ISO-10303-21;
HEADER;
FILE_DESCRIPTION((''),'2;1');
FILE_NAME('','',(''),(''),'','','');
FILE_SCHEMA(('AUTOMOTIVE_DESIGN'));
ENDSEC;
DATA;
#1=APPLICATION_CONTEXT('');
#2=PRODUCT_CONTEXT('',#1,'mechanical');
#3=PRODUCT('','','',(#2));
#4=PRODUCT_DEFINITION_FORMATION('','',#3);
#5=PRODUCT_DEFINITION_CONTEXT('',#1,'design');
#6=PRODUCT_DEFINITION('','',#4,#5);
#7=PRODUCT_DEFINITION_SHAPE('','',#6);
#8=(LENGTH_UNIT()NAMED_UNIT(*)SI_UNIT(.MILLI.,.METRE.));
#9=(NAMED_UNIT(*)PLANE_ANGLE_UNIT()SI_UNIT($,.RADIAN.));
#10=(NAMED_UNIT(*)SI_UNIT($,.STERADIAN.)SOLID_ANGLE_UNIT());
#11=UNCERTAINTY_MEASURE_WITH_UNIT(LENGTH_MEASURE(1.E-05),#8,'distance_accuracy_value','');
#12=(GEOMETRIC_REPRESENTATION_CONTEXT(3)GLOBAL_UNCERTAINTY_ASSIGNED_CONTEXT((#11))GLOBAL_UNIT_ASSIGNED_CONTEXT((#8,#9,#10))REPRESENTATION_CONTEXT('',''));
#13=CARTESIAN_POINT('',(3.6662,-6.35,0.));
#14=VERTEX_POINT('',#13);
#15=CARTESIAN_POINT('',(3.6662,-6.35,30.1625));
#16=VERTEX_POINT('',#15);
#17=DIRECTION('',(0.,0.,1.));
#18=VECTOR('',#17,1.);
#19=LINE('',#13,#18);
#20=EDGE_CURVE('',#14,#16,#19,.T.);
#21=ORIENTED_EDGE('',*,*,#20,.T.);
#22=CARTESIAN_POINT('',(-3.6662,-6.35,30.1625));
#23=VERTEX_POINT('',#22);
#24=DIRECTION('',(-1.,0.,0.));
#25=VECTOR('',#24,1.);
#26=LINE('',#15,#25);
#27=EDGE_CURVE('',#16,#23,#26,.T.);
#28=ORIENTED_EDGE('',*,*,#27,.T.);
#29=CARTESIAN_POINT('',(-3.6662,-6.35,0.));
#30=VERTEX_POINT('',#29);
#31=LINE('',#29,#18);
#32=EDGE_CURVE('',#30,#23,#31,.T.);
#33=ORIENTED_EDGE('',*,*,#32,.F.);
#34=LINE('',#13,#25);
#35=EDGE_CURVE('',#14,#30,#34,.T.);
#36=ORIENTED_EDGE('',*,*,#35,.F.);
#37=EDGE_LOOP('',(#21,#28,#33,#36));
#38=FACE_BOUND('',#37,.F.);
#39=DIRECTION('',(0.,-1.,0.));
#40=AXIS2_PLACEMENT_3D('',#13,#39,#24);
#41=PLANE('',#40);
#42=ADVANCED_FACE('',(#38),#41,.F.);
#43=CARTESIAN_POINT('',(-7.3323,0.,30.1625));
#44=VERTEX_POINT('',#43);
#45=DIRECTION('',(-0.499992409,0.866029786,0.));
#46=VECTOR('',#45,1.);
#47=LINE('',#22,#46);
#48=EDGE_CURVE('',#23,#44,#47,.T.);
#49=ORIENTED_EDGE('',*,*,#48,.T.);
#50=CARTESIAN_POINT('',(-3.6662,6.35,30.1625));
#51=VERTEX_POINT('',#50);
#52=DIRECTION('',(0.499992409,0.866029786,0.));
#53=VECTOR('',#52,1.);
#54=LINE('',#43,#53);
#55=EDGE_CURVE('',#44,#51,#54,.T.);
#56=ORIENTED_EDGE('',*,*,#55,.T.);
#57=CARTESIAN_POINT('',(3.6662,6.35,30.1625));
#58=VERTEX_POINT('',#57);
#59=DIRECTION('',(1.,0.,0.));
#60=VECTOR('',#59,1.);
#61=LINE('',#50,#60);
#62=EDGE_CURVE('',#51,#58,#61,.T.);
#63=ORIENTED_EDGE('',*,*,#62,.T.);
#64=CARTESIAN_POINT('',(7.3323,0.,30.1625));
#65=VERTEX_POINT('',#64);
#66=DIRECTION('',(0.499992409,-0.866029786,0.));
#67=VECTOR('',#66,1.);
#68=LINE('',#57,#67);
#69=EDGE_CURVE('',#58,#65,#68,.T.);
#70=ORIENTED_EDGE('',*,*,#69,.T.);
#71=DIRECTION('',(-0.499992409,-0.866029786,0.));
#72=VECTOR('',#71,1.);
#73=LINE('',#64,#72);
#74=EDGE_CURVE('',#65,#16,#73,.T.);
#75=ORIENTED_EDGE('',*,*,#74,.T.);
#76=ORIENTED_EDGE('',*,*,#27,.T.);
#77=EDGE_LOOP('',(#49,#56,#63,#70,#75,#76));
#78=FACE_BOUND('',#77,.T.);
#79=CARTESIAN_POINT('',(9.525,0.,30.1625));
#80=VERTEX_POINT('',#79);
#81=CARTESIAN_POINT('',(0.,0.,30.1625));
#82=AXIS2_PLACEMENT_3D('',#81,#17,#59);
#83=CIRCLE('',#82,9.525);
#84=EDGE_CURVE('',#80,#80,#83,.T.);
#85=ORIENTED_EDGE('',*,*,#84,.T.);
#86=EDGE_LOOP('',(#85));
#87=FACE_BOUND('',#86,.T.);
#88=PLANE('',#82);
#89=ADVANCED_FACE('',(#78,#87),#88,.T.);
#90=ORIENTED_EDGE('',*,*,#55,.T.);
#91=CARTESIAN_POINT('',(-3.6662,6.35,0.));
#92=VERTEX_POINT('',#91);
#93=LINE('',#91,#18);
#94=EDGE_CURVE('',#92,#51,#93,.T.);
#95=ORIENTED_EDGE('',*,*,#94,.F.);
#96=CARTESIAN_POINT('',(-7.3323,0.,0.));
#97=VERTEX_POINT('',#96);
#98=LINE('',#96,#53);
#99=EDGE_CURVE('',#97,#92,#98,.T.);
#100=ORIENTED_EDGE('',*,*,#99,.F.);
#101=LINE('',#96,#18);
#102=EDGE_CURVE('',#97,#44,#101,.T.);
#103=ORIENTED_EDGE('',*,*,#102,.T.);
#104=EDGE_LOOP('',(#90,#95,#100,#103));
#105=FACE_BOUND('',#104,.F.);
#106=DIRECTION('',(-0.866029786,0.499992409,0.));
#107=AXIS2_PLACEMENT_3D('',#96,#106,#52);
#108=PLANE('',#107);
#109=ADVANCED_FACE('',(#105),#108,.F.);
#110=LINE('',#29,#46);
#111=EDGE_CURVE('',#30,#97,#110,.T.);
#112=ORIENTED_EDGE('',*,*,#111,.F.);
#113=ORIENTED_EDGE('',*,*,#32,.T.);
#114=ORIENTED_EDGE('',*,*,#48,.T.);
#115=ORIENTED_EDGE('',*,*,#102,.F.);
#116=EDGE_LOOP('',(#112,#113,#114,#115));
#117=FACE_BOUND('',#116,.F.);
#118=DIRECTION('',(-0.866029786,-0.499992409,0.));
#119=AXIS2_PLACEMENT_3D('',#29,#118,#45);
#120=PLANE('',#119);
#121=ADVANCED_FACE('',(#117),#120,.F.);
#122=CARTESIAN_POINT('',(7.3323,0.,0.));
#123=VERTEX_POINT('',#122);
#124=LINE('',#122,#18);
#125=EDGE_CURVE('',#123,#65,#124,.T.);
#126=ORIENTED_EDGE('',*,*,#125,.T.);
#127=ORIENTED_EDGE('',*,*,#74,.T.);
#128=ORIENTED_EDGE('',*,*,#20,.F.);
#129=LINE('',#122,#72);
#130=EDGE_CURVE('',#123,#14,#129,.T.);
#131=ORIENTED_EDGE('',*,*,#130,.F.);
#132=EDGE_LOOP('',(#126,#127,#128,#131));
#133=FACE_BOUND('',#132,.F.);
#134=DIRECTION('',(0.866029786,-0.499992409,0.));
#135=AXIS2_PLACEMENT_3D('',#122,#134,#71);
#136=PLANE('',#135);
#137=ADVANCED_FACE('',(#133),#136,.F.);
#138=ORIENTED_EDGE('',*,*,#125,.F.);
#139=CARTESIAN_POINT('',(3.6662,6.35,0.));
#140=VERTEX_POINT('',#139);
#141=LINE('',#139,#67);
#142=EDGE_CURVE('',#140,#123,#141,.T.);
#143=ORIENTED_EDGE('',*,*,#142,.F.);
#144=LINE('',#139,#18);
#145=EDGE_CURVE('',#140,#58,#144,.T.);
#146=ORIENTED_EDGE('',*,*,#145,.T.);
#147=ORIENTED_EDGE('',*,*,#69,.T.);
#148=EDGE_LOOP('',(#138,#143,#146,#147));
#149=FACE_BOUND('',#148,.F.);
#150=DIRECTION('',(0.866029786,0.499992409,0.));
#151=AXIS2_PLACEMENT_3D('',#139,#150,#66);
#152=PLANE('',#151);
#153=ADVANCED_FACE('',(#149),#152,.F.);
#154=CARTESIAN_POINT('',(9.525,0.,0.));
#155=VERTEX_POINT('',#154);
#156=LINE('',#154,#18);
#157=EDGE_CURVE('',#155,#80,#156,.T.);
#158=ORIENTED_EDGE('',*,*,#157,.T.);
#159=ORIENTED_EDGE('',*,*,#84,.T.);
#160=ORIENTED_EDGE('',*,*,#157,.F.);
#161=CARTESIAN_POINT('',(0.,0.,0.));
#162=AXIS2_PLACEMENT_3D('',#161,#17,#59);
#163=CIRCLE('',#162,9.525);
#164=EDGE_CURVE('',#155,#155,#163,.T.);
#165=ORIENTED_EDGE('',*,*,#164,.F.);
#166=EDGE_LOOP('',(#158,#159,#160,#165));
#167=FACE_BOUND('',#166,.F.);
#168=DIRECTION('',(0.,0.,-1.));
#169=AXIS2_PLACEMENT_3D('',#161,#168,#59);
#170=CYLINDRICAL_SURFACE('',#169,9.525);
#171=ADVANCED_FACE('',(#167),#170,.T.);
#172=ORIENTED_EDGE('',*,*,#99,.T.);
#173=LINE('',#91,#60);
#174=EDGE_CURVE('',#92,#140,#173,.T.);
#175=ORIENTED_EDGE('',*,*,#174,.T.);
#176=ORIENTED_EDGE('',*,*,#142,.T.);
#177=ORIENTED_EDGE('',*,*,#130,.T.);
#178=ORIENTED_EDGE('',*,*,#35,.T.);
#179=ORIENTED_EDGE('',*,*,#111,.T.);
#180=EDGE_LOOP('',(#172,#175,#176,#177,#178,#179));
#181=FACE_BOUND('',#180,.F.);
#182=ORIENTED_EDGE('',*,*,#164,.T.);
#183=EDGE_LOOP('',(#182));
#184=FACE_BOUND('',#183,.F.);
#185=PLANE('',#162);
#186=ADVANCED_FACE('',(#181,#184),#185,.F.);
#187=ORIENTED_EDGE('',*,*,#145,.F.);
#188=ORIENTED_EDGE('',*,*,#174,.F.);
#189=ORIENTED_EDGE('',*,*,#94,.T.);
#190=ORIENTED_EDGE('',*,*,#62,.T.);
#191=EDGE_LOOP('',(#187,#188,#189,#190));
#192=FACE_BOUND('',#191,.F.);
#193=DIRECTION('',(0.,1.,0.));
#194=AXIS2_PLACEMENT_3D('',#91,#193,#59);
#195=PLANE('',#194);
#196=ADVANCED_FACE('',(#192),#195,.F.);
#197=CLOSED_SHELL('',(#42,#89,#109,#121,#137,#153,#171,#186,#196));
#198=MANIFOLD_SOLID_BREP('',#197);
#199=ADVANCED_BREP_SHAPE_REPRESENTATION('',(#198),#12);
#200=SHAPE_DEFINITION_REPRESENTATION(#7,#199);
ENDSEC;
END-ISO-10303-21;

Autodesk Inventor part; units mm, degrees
ref_plane "YZ Plane" through (0, 0, 0) normal (1, 0, 0) x (0, 1, 0)
ref_plane "XZ Plane" through (0, 0, 0) normal (0, 1, 0) x (-1, 0, 0)
ref_plane "XY Plane" through (0, 0, 0) normal (0, 0, 1) x (1, 0, 0)
sketch "Sketch1" plane through (0, 0, 0) normal (0, 0, 1) x (1, 0, 0)
  circle A0 centre (0, 0) radius 9.525
  line L0 (7.3323, 0) -> (3.6662, -6.35)
  line L1 (3.6662, -6.35) -> (-3.6662, -6.35)
  line L2 (-3.6662, -6.35) -> (-7.3323, 0)
  line L3 (-7.3323, 0) -> (-3.6662, 6.35)
  line L4 (-3.6662, 6.35) -> (3.6662, 6.35)
  line L5 (3.6662, 6.35) -> (7.3323, 0)
  dimension "d0" = 19.05
  dimension "d1" = 12.7
extrude "Extrusion1" add sketch "Sketch1" along normal blind 30.1625
properties part number "ARM_086_1.1875Spacer" material "PVC-Piping"
